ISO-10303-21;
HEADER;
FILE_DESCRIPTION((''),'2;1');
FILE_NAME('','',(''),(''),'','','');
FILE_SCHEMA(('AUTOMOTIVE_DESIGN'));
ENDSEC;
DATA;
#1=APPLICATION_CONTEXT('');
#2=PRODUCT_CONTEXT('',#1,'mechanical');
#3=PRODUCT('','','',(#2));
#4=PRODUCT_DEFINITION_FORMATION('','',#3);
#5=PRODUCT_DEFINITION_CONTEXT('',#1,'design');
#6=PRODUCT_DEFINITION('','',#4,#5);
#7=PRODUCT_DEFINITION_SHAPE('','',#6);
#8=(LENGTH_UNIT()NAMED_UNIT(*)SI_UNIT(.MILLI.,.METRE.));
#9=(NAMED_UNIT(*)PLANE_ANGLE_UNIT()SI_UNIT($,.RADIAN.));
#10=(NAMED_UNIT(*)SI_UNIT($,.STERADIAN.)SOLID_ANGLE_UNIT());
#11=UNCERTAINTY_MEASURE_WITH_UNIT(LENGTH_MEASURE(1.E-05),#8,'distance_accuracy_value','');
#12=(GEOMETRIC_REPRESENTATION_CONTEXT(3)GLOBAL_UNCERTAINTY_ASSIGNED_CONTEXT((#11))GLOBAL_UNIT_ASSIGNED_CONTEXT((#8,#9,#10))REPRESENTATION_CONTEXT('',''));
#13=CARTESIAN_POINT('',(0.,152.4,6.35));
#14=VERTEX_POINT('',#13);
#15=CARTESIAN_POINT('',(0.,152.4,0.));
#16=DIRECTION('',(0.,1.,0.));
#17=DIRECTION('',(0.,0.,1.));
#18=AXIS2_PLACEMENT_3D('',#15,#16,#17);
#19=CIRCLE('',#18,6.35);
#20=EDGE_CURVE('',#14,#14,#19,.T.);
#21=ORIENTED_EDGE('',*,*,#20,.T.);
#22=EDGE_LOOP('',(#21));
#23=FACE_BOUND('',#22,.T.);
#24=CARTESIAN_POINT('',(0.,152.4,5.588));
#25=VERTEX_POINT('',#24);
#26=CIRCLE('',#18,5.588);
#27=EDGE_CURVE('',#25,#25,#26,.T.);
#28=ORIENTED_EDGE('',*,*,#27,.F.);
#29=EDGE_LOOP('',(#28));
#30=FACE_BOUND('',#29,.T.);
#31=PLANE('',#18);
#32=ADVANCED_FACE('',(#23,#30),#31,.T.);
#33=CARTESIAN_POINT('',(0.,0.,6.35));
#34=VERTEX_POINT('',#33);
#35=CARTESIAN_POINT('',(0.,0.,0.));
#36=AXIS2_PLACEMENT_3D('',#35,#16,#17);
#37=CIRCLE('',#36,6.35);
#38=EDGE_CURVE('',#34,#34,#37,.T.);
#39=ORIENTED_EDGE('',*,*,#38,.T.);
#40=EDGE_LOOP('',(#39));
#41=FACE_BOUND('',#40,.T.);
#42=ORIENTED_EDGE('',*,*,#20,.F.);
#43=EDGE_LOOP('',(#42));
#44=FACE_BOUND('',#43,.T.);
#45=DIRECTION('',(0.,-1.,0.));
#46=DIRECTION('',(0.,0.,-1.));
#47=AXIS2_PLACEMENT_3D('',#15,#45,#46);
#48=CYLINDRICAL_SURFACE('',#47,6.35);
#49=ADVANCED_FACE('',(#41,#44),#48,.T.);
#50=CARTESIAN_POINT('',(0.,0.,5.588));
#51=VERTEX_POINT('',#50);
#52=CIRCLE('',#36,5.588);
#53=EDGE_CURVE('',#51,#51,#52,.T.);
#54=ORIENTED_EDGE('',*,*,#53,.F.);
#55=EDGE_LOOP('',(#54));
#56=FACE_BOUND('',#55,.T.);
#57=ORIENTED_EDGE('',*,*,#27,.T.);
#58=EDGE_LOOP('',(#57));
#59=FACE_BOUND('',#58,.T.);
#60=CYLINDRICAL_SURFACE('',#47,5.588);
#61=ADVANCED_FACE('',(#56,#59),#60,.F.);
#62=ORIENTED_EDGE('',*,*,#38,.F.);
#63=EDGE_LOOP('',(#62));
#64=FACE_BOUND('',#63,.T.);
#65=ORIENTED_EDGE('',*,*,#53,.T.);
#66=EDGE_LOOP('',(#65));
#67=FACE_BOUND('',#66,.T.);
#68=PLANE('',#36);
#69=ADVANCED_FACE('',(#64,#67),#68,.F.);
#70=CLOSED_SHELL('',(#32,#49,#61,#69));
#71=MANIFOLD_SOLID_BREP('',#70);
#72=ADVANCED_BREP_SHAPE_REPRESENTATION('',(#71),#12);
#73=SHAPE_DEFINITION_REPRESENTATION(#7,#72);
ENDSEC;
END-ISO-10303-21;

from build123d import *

# Parameters (mm, degrees)
SKETCH1_R           = 6.35
SKETCH1_R_2         = 5.588
BOSS_EXTRUDE1_DEPTH = 152.4


with BuildPart() as part:
    # Sketch1 → Boss-Extrude1 (new body)
    with BuildSketch(Plane(origin=(0, 0, 0), x_dir=(1, 0, 0), z_dir=(0, 1, 0))):
        Circle(SKETCH1_R)
        Circle(SKETCH1_R_2, mode=Mode.SUBTRACT)
    extrude(amount=BOSS_EXTRUDE1_DEPTH)


solid = part.part
